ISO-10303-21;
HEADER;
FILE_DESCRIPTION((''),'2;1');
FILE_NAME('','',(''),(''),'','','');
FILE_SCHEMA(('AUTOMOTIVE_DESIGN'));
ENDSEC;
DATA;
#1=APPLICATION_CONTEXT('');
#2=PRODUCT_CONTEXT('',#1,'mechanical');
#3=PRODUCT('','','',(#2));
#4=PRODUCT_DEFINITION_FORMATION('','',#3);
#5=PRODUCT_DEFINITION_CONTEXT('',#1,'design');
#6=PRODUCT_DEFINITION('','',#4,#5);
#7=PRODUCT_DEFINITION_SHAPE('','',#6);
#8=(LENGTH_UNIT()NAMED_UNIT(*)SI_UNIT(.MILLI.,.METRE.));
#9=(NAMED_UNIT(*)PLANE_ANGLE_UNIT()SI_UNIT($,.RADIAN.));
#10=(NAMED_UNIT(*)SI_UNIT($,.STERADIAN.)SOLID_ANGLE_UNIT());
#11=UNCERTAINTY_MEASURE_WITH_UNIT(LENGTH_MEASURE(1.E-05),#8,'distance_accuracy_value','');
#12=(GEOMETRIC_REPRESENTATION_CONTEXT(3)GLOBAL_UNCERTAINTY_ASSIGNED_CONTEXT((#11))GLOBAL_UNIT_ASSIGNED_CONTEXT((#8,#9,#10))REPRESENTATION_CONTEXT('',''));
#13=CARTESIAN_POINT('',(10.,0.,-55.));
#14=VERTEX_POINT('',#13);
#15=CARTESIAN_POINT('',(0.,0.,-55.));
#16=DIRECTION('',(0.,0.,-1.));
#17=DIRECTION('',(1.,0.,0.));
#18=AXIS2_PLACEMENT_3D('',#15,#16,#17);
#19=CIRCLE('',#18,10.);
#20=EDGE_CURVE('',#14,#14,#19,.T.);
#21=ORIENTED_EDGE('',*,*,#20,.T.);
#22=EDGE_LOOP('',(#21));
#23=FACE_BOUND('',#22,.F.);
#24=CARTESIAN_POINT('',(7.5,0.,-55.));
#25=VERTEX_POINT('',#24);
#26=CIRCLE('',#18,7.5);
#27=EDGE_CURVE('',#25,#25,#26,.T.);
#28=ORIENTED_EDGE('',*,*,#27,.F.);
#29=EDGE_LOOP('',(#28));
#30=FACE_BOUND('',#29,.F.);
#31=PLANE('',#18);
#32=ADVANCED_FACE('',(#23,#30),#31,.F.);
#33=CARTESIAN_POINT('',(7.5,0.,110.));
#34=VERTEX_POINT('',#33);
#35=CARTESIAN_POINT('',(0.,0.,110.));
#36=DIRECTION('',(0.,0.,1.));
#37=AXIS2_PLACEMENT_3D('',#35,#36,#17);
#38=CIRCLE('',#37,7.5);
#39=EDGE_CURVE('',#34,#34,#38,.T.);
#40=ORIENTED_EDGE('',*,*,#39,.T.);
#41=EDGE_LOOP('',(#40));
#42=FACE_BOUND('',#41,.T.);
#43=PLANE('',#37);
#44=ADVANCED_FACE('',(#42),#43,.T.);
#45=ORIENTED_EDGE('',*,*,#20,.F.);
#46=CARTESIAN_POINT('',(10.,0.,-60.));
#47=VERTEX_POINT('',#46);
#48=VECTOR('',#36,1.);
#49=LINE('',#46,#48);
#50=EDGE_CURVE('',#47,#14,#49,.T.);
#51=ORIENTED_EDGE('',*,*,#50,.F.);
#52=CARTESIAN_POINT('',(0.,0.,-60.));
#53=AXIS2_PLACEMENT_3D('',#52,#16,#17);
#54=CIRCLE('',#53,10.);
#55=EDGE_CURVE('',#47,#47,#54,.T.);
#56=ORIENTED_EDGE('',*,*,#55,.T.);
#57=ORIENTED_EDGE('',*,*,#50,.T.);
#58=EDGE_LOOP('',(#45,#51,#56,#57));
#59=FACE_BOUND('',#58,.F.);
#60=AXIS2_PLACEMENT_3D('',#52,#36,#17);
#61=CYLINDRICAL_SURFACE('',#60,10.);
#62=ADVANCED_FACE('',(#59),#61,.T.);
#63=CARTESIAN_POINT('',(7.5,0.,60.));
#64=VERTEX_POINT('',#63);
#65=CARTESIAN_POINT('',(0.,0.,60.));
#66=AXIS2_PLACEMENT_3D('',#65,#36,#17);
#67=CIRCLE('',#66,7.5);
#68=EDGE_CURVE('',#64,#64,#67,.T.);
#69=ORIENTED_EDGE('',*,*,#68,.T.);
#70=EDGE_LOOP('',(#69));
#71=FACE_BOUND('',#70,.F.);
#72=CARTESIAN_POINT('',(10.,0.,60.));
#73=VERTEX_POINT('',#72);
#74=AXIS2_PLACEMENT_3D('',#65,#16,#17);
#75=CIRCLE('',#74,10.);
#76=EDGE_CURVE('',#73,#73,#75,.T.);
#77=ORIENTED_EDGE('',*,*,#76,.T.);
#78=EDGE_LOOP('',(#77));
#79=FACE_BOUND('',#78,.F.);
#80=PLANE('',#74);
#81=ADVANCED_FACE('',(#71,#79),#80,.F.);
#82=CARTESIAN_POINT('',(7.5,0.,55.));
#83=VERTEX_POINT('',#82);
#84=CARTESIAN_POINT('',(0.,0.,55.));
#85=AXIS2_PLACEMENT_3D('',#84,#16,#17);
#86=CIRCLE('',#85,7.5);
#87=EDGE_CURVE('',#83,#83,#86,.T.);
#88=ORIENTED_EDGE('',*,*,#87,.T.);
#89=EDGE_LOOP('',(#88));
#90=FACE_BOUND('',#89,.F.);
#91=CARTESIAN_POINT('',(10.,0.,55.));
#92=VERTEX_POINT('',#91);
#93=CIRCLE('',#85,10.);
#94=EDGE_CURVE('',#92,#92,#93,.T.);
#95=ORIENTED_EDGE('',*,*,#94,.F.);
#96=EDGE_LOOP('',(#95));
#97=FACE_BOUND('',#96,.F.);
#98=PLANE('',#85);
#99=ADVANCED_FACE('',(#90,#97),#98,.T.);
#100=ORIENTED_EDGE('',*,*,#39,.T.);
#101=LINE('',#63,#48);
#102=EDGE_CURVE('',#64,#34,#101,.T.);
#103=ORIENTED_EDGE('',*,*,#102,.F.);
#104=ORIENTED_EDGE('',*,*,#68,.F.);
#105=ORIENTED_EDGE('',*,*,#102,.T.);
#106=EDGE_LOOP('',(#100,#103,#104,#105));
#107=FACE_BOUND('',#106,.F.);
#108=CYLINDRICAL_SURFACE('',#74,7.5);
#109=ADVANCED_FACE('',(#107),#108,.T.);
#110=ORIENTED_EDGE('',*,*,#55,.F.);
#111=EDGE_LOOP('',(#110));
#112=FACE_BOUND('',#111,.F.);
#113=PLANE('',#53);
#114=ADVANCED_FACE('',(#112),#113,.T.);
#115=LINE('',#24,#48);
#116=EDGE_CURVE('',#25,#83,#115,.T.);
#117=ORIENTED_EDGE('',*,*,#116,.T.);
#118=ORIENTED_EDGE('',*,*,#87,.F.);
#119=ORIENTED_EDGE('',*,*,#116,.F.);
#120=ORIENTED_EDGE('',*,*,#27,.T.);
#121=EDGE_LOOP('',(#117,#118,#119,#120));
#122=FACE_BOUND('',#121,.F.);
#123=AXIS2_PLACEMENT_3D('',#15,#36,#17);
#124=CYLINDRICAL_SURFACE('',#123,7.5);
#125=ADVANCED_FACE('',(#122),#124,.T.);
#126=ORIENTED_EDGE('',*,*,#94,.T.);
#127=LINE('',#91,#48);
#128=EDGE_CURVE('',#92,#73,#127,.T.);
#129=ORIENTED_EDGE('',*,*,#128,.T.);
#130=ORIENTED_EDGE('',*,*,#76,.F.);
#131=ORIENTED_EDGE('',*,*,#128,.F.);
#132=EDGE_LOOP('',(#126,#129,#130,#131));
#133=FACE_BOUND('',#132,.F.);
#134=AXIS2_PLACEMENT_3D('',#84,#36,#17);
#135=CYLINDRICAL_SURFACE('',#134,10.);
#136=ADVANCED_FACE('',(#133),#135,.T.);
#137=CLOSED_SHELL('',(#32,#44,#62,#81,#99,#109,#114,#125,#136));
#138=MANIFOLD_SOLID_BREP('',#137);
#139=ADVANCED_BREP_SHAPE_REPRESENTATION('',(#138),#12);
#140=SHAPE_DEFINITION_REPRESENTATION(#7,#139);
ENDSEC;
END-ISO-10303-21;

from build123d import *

# Parameters (mm, degrees)
F2_R     = 7.5
F3_DEPTH = 50


with BuildPart() as f1:
    # F0 (on Front) → F1 (revolve)
    with BuildSketch(Plane.XZ):
        Polygon((10, 60), (0, 60), (0, -60), (10, -60), (10, -55), (7.5, -55), (7.5, 0), (7.5, 55), (10, 55), align=None)
    revolve(axis=Axis((0, 0, 0), (0, 0, -1)))

    # F2 (on face) → F3 (join)
    with BuildSketch(Plane.XY.offset(60)):
        Circle(F2_R)
    extrude(amount=F3_DEPTH)


solid = f1.part
